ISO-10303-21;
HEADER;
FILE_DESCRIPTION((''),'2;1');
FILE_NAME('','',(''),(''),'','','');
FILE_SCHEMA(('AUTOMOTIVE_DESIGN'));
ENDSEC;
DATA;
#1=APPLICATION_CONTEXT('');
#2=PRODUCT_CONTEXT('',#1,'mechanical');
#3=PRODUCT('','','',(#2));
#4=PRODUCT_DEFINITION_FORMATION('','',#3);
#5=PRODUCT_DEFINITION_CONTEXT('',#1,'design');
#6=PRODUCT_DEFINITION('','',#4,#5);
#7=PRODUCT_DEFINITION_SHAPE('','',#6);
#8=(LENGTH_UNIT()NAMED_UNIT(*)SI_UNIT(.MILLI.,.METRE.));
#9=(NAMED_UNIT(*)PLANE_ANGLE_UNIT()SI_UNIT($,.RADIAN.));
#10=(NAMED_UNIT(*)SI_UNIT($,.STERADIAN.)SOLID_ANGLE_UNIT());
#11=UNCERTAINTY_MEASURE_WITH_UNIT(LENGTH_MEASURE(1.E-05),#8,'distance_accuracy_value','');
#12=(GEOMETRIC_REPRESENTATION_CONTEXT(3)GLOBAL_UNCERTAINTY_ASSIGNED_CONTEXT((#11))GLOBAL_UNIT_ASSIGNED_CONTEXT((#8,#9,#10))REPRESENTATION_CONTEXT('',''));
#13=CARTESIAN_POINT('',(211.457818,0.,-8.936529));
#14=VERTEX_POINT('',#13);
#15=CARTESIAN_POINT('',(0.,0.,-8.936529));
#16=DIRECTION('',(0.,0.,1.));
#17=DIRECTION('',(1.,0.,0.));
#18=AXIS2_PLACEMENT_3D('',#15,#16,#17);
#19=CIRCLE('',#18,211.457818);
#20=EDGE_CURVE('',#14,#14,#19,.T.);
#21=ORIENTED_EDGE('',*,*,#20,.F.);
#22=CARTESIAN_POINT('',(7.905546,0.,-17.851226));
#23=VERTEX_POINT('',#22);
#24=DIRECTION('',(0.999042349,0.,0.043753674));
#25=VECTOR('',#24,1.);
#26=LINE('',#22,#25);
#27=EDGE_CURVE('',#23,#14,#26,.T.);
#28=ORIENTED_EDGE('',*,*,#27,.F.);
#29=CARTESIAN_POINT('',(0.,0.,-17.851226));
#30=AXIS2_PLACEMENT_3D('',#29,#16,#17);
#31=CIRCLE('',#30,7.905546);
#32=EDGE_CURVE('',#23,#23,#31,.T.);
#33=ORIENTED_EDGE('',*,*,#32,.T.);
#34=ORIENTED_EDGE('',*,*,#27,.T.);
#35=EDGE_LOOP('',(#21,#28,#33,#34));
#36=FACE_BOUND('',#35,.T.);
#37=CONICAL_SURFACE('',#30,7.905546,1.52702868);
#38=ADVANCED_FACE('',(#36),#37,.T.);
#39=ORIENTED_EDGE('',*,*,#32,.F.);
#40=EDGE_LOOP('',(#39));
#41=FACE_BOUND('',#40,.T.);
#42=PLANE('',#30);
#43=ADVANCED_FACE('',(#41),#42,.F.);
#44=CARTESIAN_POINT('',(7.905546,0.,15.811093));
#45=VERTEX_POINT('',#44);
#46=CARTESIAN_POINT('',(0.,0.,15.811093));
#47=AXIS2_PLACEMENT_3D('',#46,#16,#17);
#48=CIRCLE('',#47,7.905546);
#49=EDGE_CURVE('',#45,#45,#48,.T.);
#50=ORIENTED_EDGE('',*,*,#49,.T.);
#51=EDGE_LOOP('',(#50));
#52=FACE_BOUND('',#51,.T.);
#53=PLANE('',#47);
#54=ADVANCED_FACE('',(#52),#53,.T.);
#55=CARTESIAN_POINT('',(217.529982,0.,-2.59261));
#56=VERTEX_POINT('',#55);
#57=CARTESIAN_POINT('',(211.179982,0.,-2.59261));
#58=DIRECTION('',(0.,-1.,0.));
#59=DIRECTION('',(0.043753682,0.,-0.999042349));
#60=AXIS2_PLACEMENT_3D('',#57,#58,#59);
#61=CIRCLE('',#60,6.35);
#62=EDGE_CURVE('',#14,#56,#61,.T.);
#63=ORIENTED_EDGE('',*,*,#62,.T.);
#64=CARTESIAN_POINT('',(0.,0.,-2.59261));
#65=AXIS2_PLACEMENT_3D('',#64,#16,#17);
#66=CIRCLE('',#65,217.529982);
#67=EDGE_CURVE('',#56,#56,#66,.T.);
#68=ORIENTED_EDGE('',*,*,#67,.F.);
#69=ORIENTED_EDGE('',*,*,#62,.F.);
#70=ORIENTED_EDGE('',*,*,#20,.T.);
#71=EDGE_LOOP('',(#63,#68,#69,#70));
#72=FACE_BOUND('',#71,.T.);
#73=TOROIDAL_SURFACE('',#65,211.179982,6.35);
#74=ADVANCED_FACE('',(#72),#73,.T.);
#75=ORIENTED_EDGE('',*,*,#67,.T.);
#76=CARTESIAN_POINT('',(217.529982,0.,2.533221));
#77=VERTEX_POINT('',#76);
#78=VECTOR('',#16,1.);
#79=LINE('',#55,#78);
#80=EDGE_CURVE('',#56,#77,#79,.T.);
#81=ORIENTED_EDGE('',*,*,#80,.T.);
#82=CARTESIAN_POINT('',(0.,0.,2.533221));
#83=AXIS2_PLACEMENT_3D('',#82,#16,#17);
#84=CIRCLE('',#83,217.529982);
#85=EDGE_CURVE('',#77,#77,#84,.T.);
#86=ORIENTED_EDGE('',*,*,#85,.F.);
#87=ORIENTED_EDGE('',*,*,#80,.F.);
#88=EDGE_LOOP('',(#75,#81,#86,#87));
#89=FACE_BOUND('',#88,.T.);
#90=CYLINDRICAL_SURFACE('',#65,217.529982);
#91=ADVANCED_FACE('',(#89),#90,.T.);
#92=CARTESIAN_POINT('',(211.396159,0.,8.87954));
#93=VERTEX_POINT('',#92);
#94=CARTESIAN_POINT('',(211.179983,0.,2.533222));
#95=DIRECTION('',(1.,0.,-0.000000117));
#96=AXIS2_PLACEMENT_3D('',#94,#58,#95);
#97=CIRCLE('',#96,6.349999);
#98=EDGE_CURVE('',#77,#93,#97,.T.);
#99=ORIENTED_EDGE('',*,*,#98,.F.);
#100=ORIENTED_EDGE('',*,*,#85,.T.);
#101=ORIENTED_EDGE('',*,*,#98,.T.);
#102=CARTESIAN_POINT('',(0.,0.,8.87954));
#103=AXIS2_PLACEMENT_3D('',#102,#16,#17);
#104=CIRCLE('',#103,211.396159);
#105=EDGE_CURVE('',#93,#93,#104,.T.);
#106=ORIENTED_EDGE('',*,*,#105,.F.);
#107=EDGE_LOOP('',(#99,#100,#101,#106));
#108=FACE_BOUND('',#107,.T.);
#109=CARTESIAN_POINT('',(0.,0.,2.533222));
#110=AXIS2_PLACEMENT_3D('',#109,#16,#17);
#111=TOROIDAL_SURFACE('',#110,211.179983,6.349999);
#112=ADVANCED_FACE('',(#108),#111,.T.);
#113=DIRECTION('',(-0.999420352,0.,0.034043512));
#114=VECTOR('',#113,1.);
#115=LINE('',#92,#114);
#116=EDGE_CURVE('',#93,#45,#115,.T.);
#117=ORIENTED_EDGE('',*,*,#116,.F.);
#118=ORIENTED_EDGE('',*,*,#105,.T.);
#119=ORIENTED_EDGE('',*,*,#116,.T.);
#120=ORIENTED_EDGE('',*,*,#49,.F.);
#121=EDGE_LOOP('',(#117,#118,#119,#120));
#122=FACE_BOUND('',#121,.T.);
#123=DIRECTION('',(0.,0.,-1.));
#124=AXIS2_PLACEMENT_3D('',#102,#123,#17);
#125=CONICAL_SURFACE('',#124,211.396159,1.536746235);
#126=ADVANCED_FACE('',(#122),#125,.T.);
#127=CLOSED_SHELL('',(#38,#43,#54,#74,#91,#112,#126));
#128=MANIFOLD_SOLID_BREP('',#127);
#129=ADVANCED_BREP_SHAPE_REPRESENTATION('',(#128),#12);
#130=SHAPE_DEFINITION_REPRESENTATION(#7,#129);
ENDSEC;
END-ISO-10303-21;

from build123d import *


with BuildPart() as f1:
    # F0 (on Front) → F1 (revolve)
    with BuildSketch(Plane.XZ):
        with BuildLine():
            Line((211.396159, 8.87954), (7.905546, 15.811093))
            Line((7.905546, 15.811093), (0, 15.811093))
            Line((0, 15.811093), (0, -17.851226))
            Line((0, -17.851226), (7.905546, -17.851226))
            Line((7.905546, -17.851226), (211.457818, -8.936529))
            ThreePointArc((211.457818, -8.936529), (215.767289, -6.983409), (217.529982, -2.59261))
            Line((217.529982, -2.59261), (217.529982, 2.533221))
            ThreePointArc((217.529982, 2.533221), (215.745901, 6.946257), (211.396159, 8.87954))
        make_face()
    revolve(axis=Axis((0, 0, -1.020066), (0, 0, 1)))


solid = f1.part
